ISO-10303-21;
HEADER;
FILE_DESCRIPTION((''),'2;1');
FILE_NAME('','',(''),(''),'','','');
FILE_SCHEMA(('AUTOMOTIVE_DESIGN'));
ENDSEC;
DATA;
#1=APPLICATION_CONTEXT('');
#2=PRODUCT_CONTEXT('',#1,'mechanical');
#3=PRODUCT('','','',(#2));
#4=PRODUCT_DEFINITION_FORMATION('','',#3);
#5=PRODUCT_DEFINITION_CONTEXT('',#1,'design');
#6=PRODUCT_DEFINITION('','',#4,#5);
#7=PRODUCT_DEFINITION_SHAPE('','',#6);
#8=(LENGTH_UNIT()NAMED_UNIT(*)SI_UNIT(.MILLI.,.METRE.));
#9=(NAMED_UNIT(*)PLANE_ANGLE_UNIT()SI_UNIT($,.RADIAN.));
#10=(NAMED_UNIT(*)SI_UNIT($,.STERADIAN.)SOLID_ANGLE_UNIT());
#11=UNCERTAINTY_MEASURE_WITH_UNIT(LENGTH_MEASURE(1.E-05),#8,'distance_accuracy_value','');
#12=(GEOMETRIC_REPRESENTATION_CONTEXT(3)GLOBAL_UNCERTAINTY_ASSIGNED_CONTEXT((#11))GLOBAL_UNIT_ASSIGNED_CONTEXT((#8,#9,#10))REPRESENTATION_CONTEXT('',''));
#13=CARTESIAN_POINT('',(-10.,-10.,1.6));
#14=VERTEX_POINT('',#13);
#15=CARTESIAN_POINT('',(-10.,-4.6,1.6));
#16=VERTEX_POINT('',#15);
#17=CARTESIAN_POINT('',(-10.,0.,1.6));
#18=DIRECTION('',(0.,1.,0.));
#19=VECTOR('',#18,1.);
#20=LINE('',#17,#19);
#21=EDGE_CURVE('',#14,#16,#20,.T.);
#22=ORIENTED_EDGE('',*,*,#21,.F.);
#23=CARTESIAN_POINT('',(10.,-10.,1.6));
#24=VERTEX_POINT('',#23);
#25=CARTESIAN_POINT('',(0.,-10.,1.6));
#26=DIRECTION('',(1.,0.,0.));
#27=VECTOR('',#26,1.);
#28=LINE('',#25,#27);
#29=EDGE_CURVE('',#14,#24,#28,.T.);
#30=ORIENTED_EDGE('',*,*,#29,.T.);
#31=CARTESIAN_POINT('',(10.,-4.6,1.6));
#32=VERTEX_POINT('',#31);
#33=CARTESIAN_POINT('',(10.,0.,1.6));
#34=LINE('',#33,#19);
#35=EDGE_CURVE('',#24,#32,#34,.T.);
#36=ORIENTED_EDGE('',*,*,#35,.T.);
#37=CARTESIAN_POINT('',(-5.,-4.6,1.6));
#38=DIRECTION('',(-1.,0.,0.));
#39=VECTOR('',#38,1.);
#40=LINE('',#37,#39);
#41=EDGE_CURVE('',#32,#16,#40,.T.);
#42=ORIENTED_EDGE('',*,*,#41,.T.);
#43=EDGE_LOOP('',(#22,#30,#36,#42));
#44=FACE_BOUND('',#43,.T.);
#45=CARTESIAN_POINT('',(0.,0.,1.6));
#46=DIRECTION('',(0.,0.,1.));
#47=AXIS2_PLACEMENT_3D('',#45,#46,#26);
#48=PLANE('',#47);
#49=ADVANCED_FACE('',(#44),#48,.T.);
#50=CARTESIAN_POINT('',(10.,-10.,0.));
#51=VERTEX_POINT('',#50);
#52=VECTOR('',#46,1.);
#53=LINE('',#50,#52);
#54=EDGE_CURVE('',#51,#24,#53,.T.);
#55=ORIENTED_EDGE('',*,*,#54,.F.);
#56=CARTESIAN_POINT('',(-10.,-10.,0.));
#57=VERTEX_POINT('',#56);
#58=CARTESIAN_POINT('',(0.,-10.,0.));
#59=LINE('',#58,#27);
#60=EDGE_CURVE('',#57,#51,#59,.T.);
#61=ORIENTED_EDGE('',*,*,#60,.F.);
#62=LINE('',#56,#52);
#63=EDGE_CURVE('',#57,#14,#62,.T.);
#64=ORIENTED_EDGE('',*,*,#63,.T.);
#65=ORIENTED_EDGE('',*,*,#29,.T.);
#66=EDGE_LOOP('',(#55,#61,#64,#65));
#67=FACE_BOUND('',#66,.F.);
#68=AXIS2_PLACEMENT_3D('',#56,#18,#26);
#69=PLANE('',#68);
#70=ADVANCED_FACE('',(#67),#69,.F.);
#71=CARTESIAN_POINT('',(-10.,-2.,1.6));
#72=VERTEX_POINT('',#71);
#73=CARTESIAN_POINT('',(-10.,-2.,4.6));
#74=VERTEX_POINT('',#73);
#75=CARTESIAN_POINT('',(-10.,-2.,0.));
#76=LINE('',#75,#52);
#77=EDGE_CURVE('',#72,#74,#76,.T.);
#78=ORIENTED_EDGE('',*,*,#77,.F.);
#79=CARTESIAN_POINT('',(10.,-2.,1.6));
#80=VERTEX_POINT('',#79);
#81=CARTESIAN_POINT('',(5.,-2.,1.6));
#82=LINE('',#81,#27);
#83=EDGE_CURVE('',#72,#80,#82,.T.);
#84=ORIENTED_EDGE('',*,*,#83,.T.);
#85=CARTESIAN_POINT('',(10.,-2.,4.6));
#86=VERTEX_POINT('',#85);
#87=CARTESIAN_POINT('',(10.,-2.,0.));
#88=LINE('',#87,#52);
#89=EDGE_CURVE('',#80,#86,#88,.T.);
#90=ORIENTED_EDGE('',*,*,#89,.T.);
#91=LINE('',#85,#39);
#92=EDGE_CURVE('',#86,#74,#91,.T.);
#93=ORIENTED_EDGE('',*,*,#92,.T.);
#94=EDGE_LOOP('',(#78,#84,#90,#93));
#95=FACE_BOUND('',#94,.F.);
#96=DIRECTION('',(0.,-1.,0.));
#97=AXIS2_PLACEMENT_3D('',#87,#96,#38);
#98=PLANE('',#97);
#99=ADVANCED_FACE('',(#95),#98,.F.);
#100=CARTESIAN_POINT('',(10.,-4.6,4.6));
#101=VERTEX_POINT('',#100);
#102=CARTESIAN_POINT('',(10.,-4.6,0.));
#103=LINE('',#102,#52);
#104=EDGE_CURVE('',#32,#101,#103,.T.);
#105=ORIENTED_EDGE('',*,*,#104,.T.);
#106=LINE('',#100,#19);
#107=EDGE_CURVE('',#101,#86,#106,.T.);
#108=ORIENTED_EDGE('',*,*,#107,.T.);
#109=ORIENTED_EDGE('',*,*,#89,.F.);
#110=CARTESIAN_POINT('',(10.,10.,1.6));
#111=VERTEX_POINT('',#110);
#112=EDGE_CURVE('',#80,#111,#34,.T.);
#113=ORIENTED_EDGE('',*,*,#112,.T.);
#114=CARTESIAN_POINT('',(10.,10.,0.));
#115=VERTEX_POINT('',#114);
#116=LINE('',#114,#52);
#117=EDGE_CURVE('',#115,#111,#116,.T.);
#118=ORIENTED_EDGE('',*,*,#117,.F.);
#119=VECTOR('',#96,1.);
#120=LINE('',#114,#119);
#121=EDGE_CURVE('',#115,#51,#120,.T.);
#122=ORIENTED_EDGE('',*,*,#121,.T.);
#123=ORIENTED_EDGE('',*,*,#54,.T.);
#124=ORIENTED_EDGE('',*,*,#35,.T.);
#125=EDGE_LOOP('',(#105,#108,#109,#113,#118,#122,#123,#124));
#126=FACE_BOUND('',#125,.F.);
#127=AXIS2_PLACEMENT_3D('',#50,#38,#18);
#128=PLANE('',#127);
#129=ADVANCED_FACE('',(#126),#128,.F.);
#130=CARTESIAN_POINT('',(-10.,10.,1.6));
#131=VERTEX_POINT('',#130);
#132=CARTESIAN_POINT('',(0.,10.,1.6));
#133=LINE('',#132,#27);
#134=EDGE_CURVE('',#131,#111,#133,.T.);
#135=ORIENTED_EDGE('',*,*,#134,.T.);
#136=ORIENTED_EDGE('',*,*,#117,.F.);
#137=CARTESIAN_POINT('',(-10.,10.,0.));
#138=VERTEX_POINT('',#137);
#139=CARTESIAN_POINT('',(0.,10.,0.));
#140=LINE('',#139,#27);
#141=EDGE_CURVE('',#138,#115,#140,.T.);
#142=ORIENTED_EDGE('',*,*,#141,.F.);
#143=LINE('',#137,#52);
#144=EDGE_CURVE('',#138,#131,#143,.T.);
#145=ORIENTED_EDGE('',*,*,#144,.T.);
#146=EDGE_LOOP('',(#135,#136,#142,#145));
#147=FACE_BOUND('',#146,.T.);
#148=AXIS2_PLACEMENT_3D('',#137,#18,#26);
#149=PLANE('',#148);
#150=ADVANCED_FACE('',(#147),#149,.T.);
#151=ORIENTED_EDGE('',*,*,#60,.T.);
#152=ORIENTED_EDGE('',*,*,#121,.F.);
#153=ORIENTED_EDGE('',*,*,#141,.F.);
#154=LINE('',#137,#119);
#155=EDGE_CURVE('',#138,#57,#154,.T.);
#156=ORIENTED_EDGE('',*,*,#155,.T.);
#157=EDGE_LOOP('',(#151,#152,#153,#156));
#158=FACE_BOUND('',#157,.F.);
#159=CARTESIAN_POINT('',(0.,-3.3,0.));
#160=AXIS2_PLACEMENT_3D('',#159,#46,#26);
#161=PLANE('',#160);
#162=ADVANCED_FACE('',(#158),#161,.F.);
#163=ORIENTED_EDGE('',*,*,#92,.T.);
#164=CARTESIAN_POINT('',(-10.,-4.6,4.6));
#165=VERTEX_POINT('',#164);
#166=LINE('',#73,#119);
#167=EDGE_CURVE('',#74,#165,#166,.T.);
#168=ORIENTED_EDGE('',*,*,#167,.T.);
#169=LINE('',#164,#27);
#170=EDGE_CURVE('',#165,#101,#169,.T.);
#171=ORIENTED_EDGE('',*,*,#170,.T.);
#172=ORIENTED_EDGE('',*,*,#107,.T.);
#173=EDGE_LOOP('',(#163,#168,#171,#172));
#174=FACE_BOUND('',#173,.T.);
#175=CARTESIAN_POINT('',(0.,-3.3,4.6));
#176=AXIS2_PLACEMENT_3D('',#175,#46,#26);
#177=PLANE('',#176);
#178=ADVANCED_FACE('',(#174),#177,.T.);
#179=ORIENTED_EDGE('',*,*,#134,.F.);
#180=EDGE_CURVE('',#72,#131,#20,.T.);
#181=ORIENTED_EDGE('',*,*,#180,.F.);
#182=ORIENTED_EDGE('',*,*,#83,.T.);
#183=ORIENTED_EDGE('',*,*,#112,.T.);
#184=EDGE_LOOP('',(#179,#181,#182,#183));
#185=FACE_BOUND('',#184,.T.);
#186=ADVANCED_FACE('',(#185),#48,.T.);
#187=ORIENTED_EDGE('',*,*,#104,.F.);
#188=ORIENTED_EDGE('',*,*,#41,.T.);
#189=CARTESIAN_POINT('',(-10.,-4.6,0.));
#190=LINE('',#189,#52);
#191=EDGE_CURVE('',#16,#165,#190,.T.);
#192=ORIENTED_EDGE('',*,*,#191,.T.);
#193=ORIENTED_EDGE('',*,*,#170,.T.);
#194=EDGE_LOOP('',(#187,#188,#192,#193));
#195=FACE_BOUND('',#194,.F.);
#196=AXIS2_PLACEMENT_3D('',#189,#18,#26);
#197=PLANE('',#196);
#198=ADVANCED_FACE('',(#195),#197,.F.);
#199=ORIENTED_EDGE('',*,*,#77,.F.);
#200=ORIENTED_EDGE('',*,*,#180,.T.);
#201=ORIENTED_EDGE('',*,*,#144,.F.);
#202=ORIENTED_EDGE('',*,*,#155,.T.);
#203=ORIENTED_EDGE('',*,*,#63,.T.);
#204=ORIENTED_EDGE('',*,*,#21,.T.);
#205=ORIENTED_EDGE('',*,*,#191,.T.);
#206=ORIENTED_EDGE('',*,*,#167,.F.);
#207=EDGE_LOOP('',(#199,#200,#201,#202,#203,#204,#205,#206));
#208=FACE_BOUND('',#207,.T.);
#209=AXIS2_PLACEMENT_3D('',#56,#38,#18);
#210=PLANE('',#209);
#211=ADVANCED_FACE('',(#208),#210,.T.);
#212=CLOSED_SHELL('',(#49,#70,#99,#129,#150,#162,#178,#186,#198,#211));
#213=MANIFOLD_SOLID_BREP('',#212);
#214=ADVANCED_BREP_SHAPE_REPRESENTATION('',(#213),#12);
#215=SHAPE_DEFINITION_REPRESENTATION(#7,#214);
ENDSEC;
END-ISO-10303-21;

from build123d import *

# Parameters (mm, degrees)
F0_W     = 20
F0_H     = 20
F1_DEPTH = 1.6
F3_DEPTH = 4.6


with BuildPart() as f1:
    # F0 (on Top) → F1 (new body)
    with BuildSketch(Plane.XY):
        Rectangle(F0_W, F0_H)
    extrude(amount=F1_DEPTH)

    # F2 (on Top) → F3 (join)
    with BuildSketch(Plane.XY):
        Polygon((-10, -4.6), (0, -4.6), (10, -4.6), (10, -2), (-10, -2), align=None)
    extrude(amount=F3_DEPTH)


solid = f1.part
